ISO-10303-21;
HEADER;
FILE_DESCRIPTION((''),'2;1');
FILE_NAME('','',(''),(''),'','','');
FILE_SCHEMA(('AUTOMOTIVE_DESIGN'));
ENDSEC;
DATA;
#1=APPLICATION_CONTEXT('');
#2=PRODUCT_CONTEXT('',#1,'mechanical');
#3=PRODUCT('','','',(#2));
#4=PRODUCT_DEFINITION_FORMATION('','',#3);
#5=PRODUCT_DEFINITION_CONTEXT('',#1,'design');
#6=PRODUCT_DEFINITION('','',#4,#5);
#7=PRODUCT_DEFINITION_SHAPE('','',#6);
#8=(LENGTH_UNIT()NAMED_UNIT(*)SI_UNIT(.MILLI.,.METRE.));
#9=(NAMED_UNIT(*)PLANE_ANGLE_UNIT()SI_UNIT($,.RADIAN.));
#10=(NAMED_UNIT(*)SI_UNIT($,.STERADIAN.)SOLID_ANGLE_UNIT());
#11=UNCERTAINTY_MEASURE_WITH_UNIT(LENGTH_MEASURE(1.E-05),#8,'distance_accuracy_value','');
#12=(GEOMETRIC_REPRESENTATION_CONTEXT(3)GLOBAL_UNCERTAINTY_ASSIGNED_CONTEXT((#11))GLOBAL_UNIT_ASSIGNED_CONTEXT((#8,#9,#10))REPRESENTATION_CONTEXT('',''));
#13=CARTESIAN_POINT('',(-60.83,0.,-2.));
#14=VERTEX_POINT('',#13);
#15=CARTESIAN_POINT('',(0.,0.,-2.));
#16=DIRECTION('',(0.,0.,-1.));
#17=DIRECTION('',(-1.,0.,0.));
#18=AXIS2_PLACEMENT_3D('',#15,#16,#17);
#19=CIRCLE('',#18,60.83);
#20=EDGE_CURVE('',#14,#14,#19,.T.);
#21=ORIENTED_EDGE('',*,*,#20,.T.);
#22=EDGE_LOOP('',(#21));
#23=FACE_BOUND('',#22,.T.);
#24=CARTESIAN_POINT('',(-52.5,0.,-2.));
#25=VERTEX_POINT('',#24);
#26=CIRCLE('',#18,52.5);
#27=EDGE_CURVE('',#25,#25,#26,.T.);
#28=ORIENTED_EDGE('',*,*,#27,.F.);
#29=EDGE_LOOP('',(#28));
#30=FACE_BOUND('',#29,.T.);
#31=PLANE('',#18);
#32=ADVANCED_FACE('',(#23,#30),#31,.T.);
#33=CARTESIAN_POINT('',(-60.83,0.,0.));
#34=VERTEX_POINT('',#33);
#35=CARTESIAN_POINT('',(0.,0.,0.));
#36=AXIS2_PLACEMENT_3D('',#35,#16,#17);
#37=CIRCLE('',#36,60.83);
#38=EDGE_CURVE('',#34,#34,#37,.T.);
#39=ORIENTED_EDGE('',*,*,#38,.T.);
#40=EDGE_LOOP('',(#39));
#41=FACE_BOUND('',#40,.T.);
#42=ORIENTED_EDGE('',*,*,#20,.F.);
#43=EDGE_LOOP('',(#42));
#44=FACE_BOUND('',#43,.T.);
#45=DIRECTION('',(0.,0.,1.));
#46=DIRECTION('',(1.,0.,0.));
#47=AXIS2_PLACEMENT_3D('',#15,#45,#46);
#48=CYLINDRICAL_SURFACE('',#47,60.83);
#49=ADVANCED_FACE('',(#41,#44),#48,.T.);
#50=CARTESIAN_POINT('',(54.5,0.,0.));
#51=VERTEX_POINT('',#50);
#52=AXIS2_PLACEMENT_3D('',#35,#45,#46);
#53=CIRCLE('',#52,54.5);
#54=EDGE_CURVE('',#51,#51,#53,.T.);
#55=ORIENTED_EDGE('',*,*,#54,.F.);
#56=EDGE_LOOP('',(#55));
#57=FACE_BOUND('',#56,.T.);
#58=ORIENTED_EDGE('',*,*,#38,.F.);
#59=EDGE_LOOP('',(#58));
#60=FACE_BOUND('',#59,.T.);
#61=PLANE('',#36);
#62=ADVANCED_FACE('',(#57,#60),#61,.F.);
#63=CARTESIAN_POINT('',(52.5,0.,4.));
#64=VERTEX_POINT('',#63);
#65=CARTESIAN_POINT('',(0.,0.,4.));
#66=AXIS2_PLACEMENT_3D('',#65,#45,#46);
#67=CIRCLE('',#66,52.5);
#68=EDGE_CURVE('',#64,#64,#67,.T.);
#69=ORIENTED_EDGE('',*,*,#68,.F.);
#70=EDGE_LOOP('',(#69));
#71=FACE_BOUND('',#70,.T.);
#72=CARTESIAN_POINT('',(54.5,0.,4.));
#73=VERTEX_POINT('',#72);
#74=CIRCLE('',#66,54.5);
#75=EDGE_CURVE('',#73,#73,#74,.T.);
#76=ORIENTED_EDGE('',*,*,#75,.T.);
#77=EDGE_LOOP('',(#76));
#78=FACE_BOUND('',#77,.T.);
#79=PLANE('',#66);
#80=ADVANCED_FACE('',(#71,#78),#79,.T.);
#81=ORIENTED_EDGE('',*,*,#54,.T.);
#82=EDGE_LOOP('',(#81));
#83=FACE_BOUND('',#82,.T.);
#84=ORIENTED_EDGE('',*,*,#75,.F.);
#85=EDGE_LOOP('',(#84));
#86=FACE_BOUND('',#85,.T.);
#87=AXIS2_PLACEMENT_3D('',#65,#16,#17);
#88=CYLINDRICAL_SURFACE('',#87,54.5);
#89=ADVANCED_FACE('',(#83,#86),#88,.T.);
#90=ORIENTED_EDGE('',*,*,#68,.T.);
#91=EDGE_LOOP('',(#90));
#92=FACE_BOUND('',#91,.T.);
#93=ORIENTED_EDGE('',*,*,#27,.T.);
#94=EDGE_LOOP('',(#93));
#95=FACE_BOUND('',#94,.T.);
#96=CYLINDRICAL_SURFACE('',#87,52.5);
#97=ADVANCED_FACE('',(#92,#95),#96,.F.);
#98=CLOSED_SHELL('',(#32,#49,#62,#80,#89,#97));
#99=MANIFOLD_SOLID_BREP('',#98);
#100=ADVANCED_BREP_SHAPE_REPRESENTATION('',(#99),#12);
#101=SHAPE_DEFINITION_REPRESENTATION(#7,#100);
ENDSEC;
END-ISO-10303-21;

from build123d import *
from build123d.topology import SkipClean

# Parameters (mm, degrees)
SKETCH1_R           = 54.5
SKETCH1_R_2         = 52.5
BOSS_EXTRUDE1_DEPTH = 4
BOSS_EXTRUDE2_START = 2
SKETCH2_R           = 60.83
SKETCH2_R_2         = 52.5
BOSS_EXTRUDE2_DEPTH = 2


with BuildPart() as part:
    # Sketch1 → Boss-Extrude1 (new body)
    with BuildSketch(Plane.XY):
        Circle(SKETCH1_R)
        Circle(SKETCH1_R_2, mode=Mode.SUBTRACT)
    extrude(amount=BOSS_EXTRUDE1_DEPTH)

    # Sketch2 → Boss-Extrude2 (add)
    with SkipClean():  # the faces are left unmerged after this step: merging them gives an invalid solid
        with BuildSketch(Plane(origin=(0, 0, 0), x_dir=(-1, 0, 0), z_dir=(0, 0, -1)).offset(BOSS_EXTRUDE2_START)):
            Circle(SKETCH2_R)
            Circle(SKETCH2_R_2, mode=Mode.SUBTRACT)
        extrude(amount=-BOSS_EXTRUDE2_DEPTH)


solid = part.part
